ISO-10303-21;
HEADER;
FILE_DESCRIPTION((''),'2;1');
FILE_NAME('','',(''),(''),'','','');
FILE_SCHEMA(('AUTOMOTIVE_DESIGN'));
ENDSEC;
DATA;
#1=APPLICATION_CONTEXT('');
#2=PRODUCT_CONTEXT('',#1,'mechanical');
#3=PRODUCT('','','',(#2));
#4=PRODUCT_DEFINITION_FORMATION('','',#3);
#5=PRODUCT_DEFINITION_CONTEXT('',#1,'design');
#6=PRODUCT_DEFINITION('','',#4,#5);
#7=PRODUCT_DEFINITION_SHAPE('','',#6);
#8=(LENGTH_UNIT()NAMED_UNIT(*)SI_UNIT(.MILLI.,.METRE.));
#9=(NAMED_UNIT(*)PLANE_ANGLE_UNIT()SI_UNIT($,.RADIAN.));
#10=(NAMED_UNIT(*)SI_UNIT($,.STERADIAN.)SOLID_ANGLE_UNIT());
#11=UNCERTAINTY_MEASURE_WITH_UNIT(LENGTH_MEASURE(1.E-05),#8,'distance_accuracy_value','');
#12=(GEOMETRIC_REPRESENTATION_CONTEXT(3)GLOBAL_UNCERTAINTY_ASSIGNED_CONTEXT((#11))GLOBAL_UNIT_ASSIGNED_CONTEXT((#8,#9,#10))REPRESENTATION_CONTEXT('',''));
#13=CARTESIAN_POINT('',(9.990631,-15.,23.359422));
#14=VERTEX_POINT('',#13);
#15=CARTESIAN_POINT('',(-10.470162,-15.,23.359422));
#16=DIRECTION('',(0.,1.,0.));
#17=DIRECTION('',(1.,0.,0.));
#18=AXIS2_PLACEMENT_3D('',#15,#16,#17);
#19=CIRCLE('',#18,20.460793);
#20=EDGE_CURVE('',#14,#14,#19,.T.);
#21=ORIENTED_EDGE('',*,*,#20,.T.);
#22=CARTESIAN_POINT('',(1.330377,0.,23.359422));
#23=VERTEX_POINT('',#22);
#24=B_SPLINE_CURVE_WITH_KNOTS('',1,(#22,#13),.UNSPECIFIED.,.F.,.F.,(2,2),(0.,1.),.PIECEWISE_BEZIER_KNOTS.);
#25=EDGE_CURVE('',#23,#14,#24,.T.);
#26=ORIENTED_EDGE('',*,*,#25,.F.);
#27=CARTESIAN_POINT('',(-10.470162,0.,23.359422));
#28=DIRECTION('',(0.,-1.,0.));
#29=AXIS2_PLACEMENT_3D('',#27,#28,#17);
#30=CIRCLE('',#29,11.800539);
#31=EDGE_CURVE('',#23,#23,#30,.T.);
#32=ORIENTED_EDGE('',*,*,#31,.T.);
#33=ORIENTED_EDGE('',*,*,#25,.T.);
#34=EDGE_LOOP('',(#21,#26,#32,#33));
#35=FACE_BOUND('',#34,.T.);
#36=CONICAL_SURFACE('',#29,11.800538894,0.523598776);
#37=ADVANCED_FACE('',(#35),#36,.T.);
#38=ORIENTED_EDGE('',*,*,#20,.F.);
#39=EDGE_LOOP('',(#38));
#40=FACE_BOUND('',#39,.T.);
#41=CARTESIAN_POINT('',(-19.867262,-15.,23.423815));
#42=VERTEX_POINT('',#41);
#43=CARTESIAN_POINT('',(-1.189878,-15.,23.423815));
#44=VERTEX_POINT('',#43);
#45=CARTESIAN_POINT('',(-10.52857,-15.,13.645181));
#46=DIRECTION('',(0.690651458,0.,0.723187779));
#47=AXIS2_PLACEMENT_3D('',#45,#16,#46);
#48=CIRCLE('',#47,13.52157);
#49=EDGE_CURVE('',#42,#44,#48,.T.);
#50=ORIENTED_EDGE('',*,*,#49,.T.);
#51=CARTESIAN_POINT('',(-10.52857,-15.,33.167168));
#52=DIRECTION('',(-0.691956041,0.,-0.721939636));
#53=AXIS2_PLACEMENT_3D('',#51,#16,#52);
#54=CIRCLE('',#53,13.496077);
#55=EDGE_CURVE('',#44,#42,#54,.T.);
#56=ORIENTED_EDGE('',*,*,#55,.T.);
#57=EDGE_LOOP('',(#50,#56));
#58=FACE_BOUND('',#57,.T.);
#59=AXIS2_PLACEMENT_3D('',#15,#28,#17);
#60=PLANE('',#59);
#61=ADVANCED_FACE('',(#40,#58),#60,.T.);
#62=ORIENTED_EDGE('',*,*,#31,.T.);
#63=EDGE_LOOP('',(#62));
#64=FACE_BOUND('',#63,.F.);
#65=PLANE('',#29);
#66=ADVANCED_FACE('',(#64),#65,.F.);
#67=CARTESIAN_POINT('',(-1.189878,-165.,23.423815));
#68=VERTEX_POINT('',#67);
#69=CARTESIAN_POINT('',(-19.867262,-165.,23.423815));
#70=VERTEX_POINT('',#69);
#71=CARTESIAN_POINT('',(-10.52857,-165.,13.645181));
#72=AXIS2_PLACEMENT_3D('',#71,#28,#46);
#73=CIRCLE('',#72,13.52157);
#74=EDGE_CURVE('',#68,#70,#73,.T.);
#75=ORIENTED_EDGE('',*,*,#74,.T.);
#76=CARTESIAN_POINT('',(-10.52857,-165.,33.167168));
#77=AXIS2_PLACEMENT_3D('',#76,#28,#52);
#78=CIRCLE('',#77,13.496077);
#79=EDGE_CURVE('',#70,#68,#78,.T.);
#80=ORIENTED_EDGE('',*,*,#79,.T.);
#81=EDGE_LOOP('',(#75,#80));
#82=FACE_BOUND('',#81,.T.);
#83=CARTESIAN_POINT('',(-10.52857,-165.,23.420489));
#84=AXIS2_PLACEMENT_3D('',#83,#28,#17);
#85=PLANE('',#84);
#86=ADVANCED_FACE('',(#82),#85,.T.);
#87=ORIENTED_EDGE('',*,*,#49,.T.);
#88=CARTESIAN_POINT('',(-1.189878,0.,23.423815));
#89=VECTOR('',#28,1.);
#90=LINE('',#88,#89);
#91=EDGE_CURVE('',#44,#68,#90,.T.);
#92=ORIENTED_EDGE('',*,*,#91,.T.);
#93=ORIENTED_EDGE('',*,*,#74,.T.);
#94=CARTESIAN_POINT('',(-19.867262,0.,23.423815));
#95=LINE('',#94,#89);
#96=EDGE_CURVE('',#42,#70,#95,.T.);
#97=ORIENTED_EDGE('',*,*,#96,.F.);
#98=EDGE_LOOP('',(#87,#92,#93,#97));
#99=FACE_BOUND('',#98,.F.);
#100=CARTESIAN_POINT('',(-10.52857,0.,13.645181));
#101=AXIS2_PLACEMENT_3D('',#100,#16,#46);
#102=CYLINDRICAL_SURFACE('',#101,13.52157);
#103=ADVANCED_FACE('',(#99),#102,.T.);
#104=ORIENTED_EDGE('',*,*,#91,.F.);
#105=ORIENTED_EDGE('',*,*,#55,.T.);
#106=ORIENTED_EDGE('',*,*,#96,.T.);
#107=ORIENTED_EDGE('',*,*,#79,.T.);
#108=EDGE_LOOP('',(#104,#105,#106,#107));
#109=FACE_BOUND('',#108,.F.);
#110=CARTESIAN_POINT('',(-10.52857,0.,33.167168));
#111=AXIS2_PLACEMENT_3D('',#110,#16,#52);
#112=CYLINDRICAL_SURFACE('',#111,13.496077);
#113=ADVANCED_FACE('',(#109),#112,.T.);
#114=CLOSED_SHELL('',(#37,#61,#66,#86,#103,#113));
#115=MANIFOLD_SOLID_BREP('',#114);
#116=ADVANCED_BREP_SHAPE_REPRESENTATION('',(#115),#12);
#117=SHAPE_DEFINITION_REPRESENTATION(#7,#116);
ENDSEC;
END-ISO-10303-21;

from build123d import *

# Parameters (mm, degrees)
F1_DEPTH = 165
F2_R     = 11.8005388937
F3_DEPTH = 15
F3_TAPER = -30


with BuildPart() as f1:
    # F0 (on Front) → F1 (new body)
    with BuildSketch(Plane.XZ):
        with BuildLine():
            ThreePointArc((-19.8672618717, 23.4238151461), (-10.5285700411, 19.6710911293), (-1.1898782104, 23.4238151461))
            ThreePointArc((-1.1898782104, 23.4238151461), (-10.5285700411, 27.1667508864), (-19.8672618717, 23.4238151461))
        make_face()
    extrude(amount=F1_DEPTH)

    # F2 (on Front) → F3 (join)
    with BuildSketch(Plane.XZ):
        with Locations((-10.4701621458, 23.3594216406)):
            Circle(F2_R)
    extrude(amount=F3_DEPTH, taper=F3_TAPER)


solid = f1.part
